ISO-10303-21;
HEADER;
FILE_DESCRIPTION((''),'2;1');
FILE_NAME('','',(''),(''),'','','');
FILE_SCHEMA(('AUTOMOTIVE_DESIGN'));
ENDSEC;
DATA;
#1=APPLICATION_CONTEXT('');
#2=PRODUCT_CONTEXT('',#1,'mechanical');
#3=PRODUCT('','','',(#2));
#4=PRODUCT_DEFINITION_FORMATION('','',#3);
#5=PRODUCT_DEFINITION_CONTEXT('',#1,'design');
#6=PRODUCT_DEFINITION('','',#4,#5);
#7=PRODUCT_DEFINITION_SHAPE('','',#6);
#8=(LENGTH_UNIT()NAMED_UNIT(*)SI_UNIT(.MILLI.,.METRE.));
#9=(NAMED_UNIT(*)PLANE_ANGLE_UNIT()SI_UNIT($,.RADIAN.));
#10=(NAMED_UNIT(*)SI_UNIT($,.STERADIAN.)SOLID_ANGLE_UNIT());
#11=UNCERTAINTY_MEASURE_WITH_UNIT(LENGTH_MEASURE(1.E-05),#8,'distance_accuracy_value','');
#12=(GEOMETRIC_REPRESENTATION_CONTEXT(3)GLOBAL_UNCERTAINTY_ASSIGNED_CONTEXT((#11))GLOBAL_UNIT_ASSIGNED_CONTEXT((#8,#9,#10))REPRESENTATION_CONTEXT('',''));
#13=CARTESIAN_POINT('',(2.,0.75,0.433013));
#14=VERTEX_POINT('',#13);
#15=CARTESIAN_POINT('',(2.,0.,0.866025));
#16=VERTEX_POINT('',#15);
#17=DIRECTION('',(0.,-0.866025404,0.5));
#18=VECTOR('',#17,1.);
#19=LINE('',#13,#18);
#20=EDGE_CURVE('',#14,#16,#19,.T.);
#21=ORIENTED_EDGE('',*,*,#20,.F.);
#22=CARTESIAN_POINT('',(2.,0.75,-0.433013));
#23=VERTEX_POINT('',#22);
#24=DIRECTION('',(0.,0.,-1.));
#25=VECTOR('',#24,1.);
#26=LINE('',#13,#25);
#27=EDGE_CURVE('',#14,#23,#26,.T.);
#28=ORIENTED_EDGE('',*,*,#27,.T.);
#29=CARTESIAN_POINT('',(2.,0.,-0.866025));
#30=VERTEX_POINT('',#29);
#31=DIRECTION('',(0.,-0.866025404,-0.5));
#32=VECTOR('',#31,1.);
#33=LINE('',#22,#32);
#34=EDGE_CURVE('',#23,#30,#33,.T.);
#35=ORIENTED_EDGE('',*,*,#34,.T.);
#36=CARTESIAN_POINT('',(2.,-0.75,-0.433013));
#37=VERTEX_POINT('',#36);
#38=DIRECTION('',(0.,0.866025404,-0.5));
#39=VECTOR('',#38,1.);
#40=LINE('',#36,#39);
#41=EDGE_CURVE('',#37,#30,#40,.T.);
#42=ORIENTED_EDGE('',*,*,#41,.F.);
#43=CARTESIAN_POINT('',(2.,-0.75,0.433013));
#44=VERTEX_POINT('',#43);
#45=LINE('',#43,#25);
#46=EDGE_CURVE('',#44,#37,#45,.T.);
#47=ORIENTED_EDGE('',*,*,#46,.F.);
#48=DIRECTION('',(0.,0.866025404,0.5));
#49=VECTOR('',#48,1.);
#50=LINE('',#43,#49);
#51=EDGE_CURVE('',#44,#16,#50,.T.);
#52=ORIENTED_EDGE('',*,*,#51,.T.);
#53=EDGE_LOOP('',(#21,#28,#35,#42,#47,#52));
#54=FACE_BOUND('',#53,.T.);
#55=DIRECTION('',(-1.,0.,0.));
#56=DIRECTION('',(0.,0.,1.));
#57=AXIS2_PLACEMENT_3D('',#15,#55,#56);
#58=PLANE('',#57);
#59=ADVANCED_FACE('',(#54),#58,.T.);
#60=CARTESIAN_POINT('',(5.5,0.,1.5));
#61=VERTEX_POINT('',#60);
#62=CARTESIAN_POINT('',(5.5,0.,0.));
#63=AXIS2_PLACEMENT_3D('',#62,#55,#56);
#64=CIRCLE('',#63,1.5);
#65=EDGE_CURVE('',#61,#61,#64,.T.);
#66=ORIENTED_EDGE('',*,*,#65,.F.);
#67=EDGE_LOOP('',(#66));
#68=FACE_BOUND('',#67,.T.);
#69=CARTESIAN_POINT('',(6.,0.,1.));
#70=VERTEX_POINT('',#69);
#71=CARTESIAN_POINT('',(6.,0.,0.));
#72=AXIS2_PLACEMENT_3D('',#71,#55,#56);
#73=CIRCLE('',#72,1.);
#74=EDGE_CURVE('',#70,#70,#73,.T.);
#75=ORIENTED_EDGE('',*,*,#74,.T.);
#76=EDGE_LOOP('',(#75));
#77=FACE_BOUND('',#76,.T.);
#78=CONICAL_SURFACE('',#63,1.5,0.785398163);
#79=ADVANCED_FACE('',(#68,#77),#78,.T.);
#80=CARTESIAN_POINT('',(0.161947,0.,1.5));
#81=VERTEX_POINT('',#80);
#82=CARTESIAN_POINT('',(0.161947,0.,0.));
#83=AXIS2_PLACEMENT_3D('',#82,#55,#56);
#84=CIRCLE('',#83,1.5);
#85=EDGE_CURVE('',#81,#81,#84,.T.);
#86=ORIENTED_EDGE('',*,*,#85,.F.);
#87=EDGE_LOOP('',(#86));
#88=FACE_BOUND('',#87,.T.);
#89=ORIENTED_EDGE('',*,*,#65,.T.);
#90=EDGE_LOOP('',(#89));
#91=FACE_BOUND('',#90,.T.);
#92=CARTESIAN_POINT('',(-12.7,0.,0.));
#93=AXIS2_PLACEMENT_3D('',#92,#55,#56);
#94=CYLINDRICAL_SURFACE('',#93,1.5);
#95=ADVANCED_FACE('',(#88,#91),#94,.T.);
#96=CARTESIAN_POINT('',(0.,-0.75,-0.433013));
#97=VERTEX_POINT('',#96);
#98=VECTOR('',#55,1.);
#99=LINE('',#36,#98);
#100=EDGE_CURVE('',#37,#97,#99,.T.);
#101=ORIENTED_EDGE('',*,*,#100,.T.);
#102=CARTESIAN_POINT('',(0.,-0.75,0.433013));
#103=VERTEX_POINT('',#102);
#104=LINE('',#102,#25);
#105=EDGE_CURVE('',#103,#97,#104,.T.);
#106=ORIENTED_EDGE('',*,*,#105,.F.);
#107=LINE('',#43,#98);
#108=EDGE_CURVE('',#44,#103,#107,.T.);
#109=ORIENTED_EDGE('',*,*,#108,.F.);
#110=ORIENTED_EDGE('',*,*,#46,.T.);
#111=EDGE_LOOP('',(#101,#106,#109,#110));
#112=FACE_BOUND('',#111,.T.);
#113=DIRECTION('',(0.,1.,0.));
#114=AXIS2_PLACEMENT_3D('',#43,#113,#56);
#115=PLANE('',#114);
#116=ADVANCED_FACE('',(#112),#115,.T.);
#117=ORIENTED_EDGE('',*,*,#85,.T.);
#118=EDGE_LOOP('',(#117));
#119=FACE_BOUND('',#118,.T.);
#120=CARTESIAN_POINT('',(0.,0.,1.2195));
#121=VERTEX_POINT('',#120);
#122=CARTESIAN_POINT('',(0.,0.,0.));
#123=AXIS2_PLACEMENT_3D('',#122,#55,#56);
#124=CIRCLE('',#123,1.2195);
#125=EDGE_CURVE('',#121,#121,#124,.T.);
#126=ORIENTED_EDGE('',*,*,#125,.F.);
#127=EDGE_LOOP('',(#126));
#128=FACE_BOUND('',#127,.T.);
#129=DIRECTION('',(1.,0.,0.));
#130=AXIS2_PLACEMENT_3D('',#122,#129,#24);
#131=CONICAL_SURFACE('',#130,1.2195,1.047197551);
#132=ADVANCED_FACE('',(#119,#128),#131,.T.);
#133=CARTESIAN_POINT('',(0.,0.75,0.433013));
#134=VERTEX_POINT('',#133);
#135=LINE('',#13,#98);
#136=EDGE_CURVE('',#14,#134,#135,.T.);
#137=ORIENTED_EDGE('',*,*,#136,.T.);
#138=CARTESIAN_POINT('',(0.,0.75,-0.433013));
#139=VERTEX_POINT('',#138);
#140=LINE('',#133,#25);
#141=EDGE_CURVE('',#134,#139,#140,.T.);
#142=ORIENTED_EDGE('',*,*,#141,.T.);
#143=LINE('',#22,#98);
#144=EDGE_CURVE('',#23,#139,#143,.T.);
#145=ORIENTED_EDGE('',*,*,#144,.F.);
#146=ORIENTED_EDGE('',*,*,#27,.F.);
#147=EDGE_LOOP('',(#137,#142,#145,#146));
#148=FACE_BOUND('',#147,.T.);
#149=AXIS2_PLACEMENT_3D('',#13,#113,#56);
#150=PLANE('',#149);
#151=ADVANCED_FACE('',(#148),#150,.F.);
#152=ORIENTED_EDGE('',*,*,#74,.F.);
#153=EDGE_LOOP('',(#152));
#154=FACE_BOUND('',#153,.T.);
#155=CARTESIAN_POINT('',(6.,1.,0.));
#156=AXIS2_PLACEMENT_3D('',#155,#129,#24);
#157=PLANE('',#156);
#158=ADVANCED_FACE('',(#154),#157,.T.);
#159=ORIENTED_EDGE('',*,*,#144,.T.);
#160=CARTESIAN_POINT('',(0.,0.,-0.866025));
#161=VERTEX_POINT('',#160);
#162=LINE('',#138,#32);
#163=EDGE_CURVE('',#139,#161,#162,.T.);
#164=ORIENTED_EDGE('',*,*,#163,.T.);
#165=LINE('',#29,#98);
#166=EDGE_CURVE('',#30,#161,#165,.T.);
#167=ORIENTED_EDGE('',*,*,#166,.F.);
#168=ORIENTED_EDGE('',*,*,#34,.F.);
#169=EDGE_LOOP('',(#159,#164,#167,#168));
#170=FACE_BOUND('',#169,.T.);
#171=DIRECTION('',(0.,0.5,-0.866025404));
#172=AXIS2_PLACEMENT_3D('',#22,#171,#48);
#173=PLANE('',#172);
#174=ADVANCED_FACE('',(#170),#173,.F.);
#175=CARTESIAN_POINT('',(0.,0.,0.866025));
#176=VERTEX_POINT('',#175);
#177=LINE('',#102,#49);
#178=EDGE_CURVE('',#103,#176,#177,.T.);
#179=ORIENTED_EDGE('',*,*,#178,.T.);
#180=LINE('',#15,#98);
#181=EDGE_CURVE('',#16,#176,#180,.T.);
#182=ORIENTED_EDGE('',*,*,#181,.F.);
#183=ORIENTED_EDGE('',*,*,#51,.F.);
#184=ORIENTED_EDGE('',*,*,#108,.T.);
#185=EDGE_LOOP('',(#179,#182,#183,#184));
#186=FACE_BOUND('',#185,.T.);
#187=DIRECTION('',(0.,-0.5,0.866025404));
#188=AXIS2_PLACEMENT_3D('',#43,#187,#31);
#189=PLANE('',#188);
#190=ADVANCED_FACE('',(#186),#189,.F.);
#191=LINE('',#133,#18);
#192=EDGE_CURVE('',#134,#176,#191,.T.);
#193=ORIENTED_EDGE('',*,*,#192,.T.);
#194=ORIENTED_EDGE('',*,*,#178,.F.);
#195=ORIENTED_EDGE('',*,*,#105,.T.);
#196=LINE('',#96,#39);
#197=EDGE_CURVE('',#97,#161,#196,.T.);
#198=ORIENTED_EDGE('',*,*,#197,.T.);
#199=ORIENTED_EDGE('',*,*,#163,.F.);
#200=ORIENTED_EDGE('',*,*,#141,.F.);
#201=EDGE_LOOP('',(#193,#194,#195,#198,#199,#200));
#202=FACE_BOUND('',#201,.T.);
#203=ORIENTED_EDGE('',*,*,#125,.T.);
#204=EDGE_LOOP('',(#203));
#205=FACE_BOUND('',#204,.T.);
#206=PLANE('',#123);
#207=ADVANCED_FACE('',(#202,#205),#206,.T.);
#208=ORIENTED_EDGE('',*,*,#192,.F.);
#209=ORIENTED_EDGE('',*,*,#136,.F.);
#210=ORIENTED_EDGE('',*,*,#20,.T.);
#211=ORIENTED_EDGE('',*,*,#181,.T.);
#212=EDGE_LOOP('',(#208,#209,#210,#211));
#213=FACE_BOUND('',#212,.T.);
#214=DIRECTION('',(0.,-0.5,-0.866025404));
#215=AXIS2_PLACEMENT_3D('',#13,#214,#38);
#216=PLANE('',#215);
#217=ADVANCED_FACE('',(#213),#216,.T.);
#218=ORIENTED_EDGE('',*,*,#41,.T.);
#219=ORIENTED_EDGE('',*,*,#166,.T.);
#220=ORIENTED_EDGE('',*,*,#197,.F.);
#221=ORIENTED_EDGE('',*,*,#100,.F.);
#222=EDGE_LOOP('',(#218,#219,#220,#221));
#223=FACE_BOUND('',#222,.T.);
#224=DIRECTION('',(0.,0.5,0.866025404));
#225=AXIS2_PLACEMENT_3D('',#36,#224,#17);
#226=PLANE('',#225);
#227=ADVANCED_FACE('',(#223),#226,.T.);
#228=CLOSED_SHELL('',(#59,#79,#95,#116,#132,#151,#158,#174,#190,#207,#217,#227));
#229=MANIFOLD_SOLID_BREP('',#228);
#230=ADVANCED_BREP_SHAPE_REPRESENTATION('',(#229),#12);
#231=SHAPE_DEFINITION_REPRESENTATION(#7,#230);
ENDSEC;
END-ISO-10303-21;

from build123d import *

# Parameters (mm, degrees)
HEX_2_DEPTH = 2


with BuildPart() as part:
    # BodySke → BaseBody (revolve)
    with BuildSketch(Plane.XY, mode=Mode.PRIVATE) as basebody_sk:
        Polygon((0, 0), (0, 1.2195), (0.161946751, 1.5), (5.5, 1.5), (6, 1), (6, 0), align=None)
    revolve(basebody_sk.sketch.rotate(Axis((-12.7, 0, 0), (1, 0, 0)), 90), axis=Axis((-12.7, 0, 0), (1, 0, 0)))

    # Sketch2 → Hex 2 (cut)
    with BuildSketch(Plane.ZY):
        Polygon((0.433012702, 0.75), (-0.433012702, 0.75), (-0.866025404, 0), (-0.433012702, -0.75), (0.433012702, -0.75), (0.866025404, 0), align=None)
    extrude(amount=-HEX_2_DEPTH, mode=Mode.SUBTRACT)


solid = part.part
